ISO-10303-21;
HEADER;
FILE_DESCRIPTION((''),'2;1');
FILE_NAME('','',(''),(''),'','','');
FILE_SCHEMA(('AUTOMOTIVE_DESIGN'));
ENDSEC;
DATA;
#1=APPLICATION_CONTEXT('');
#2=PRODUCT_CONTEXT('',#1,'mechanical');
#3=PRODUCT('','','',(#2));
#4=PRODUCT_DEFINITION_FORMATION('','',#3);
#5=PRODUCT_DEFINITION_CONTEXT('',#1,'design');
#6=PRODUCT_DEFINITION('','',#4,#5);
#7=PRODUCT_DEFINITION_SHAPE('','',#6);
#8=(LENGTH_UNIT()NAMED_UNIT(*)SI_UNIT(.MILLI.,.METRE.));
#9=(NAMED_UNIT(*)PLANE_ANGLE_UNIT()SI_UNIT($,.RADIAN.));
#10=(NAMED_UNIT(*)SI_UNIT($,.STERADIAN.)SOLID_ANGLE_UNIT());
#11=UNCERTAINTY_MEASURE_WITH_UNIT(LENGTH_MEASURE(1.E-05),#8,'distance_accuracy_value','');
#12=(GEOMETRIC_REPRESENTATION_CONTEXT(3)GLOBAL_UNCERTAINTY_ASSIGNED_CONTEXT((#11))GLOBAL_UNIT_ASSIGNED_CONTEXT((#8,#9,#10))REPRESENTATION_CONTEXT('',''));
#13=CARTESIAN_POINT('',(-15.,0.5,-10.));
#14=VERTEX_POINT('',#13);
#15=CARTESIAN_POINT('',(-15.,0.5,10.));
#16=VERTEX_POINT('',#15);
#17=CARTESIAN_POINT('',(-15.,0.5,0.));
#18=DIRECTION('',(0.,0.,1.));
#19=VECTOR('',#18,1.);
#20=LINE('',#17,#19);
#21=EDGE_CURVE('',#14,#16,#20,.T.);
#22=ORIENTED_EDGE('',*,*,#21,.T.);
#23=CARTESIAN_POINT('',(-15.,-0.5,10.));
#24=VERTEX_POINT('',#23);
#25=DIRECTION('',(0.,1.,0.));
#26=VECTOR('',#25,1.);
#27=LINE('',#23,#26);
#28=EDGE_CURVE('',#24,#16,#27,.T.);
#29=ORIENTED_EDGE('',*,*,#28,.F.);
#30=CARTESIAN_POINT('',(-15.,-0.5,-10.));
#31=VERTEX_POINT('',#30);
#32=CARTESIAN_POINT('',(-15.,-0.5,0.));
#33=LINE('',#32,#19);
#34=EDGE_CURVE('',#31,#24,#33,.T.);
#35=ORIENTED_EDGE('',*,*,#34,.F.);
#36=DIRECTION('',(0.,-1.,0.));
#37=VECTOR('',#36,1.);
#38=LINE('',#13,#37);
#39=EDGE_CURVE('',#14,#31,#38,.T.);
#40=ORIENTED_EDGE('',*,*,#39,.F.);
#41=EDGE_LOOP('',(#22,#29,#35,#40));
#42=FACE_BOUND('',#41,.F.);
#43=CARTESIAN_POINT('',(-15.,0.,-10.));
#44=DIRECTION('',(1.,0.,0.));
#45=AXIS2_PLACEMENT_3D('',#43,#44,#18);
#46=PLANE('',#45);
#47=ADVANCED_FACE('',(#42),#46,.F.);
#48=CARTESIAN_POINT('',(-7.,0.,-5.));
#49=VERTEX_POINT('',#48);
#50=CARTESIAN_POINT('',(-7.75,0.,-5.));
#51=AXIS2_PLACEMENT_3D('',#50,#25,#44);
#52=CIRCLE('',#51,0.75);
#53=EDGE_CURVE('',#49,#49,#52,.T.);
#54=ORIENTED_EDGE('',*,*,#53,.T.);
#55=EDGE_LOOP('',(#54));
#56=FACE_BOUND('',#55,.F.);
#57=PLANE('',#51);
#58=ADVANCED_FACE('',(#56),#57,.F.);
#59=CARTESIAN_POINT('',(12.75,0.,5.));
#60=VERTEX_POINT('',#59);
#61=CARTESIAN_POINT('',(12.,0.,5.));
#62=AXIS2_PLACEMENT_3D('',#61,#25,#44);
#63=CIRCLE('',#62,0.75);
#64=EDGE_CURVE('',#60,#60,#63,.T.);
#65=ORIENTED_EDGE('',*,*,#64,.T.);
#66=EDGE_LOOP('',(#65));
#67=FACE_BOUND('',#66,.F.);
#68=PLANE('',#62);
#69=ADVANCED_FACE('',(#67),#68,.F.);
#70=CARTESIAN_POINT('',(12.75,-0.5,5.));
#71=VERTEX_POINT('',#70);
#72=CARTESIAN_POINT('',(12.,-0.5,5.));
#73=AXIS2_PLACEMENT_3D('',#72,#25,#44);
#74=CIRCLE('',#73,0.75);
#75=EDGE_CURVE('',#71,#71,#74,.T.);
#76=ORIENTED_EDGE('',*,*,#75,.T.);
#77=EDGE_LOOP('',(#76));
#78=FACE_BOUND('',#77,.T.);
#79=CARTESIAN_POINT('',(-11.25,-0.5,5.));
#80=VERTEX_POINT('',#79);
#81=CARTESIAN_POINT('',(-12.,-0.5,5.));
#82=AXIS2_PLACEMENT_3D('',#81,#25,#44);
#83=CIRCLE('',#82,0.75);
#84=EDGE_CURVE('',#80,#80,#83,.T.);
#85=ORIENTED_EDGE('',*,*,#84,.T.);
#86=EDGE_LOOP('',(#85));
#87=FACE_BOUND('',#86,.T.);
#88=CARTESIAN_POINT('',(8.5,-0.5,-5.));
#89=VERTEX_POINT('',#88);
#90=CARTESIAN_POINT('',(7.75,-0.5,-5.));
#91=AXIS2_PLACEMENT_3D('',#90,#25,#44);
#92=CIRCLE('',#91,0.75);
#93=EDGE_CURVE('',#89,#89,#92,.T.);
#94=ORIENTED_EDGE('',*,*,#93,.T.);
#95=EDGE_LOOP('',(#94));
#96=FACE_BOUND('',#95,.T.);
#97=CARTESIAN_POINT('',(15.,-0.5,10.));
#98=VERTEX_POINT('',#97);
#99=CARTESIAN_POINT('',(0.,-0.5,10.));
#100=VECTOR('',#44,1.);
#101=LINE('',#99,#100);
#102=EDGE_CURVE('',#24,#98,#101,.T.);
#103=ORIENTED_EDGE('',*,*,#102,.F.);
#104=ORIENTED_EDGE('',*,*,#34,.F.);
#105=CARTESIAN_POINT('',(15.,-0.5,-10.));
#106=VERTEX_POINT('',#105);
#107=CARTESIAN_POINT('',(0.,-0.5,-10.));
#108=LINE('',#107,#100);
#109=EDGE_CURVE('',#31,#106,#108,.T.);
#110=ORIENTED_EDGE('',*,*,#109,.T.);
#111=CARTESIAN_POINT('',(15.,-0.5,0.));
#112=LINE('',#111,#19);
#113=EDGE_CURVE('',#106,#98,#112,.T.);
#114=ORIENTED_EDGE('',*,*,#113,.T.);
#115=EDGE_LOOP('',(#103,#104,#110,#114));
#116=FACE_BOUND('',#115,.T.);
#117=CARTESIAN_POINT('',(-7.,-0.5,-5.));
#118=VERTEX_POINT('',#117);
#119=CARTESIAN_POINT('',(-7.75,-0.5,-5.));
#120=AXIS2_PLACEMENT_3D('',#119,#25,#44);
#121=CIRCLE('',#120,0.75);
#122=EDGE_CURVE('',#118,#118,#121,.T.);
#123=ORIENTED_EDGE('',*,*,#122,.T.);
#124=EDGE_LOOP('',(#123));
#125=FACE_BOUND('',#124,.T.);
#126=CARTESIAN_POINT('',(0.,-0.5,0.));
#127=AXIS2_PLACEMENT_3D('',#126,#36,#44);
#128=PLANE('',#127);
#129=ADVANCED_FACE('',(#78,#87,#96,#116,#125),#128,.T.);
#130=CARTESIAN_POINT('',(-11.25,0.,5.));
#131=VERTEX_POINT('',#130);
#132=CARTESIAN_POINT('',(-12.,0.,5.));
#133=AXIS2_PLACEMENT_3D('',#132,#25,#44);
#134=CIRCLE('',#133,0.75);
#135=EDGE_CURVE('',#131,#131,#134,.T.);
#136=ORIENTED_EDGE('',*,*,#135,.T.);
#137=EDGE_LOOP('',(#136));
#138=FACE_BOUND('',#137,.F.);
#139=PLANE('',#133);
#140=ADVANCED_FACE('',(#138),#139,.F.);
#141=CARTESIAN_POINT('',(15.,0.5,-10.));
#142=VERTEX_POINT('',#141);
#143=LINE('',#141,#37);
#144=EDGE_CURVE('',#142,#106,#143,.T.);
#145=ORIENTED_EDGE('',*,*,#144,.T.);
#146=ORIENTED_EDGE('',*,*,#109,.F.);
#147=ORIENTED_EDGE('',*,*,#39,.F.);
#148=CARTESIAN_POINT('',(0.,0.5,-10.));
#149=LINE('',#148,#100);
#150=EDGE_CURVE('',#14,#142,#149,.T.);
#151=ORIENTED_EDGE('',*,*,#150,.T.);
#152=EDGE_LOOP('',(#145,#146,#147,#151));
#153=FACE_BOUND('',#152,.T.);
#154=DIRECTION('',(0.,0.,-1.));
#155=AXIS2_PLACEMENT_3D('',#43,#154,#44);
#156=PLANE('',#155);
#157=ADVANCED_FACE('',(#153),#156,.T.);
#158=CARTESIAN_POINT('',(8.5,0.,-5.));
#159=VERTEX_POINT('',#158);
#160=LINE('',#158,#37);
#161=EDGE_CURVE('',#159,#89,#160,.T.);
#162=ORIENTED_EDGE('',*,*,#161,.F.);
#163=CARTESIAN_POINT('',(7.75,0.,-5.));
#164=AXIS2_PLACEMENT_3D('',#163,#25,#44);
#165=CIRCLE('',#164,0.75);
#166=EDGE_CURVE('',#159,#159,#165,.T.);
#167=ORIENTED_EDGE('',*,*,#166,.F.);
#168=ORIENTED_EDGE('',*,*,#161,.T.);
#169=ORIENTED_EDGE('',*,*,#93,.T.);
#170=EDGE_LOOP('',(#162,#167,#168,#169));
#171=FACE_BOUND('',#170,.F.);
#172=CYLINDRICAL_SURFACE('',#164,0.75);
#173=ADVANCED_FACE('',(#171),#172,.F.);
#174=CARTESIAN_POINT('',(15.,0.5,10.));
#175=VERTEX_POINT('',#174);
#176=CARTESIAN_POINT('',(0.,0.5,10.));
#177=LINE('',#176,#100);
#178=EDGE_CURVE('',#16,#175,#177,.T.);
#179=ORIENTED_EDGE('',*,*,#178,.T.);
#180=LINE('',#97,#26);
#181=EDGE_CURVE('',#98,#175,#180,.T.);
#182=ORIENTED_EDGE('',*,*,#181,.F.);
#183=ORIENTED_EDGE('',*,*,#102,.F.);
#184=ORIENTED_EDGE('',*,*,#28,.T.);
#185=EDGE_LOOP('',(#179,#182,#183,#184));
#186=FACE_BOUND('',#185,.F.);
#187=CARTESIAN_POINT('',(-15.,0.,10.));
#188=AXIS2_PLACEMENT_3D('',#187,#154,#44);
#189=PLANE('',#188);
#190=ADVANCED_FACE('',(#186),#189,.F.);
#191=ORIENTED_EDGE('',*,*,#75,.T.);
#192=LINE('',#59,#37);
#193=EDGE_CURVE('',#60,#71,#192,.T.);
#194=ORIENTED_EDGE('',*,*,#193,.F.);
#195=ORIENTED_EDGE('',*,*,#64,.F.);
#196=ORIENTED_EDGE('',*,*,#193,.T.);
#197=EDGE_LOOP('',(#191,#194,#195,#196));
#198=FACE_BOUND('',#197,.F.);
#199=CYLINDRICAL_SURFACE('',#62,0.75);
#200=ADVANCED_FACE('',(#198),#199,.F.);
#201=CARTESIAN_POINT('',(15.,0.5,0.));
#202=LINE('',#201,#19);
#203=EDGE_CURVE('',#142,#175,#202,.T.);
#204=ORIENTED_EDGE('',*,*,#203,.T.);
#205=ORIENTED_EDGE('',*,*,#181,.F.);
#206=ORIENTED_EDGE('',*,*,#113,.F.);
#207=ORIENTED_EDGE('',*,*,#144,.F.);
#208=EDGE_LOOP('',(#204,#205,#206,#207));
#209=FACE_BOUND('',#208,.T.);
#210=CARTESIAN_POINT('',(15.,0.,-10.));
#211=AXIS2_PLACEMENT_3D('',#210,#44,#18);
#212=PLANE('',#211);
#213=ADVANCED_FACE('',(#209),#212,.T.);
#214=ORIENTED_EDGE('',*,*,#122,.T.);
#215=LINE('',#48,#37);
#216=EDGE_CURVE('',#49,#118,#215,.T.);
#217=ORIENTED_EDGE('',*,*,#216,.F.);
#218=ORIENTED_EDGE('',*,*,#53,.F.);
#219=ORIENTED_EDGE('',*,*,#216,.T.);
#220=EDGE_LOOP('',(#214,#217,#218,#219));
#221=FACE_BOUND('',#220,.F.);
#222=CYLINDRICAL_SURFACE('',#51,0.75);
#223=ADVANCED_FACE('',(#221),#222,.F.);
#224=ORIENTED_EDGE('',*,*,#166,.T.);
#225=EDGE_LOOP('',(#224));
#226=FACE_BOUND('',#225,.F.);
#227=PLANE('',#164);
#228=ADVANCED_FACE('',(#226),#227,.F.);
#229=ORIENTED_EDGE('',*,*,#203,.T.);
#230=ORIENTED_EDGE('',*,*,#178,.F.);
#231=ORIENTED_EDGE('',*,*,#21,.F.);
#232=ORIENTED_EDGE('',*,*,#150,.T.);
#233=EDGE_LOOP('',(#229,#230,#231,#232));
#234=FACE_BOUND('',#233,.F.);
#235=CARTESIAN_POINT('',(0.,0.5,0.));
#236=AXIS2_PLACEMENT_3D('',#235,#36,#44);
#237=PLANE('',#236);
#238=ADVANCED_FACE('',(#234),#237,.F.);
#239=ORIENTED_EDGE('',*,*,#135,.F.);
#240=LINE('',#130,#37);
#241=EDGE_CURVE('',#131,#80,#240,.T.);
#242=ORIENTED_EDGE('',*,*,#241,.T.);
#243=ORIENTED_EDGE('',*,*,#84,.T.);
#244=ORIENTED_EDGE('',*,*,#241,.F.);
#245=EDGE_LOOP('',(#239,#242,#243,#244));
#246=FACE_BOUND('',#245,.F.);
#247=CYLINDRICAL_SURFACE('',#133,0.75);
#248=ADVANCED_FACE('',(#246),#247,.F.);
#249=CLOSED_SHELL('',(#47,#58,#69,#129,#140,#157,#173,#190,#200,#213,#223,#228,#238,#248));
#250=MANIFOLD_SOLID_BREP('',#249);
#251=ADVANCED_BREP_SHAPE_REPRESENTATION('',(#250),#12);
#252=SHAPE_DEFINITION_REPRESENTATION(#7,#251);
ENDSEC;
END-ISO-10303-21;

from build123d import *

# Parameters (mm, degrees)
F0_W     = 30
F0_H     = 20
F1_DEPTH = 0.5
F2_D     = 1.5
F2_DEPTH = 0.501


with BuildPart() as f1:
    # F0 (on Front) → F1 (new body, symmetric)
    with BuildSketch(Plane.XZ):
        Rectangle(F0_W, F0_H)
    extrude(amount=F1_DEPTH, both=True)

    # F2 (through all, one way)
    with BuildSketch(Plane(origin=(0, 0, 0), x_dir=(1, 0, 0), z_dir=(0, 1, 0))):
        with Locations((-12, -5), (12, -5), (7.75, 5), (-7.75, 5)):
            Circle(F2_D / 2)
    extrude(amount=-F2_DEPTH, mode=Mode.SUBTRACT)


solid = f1.part
